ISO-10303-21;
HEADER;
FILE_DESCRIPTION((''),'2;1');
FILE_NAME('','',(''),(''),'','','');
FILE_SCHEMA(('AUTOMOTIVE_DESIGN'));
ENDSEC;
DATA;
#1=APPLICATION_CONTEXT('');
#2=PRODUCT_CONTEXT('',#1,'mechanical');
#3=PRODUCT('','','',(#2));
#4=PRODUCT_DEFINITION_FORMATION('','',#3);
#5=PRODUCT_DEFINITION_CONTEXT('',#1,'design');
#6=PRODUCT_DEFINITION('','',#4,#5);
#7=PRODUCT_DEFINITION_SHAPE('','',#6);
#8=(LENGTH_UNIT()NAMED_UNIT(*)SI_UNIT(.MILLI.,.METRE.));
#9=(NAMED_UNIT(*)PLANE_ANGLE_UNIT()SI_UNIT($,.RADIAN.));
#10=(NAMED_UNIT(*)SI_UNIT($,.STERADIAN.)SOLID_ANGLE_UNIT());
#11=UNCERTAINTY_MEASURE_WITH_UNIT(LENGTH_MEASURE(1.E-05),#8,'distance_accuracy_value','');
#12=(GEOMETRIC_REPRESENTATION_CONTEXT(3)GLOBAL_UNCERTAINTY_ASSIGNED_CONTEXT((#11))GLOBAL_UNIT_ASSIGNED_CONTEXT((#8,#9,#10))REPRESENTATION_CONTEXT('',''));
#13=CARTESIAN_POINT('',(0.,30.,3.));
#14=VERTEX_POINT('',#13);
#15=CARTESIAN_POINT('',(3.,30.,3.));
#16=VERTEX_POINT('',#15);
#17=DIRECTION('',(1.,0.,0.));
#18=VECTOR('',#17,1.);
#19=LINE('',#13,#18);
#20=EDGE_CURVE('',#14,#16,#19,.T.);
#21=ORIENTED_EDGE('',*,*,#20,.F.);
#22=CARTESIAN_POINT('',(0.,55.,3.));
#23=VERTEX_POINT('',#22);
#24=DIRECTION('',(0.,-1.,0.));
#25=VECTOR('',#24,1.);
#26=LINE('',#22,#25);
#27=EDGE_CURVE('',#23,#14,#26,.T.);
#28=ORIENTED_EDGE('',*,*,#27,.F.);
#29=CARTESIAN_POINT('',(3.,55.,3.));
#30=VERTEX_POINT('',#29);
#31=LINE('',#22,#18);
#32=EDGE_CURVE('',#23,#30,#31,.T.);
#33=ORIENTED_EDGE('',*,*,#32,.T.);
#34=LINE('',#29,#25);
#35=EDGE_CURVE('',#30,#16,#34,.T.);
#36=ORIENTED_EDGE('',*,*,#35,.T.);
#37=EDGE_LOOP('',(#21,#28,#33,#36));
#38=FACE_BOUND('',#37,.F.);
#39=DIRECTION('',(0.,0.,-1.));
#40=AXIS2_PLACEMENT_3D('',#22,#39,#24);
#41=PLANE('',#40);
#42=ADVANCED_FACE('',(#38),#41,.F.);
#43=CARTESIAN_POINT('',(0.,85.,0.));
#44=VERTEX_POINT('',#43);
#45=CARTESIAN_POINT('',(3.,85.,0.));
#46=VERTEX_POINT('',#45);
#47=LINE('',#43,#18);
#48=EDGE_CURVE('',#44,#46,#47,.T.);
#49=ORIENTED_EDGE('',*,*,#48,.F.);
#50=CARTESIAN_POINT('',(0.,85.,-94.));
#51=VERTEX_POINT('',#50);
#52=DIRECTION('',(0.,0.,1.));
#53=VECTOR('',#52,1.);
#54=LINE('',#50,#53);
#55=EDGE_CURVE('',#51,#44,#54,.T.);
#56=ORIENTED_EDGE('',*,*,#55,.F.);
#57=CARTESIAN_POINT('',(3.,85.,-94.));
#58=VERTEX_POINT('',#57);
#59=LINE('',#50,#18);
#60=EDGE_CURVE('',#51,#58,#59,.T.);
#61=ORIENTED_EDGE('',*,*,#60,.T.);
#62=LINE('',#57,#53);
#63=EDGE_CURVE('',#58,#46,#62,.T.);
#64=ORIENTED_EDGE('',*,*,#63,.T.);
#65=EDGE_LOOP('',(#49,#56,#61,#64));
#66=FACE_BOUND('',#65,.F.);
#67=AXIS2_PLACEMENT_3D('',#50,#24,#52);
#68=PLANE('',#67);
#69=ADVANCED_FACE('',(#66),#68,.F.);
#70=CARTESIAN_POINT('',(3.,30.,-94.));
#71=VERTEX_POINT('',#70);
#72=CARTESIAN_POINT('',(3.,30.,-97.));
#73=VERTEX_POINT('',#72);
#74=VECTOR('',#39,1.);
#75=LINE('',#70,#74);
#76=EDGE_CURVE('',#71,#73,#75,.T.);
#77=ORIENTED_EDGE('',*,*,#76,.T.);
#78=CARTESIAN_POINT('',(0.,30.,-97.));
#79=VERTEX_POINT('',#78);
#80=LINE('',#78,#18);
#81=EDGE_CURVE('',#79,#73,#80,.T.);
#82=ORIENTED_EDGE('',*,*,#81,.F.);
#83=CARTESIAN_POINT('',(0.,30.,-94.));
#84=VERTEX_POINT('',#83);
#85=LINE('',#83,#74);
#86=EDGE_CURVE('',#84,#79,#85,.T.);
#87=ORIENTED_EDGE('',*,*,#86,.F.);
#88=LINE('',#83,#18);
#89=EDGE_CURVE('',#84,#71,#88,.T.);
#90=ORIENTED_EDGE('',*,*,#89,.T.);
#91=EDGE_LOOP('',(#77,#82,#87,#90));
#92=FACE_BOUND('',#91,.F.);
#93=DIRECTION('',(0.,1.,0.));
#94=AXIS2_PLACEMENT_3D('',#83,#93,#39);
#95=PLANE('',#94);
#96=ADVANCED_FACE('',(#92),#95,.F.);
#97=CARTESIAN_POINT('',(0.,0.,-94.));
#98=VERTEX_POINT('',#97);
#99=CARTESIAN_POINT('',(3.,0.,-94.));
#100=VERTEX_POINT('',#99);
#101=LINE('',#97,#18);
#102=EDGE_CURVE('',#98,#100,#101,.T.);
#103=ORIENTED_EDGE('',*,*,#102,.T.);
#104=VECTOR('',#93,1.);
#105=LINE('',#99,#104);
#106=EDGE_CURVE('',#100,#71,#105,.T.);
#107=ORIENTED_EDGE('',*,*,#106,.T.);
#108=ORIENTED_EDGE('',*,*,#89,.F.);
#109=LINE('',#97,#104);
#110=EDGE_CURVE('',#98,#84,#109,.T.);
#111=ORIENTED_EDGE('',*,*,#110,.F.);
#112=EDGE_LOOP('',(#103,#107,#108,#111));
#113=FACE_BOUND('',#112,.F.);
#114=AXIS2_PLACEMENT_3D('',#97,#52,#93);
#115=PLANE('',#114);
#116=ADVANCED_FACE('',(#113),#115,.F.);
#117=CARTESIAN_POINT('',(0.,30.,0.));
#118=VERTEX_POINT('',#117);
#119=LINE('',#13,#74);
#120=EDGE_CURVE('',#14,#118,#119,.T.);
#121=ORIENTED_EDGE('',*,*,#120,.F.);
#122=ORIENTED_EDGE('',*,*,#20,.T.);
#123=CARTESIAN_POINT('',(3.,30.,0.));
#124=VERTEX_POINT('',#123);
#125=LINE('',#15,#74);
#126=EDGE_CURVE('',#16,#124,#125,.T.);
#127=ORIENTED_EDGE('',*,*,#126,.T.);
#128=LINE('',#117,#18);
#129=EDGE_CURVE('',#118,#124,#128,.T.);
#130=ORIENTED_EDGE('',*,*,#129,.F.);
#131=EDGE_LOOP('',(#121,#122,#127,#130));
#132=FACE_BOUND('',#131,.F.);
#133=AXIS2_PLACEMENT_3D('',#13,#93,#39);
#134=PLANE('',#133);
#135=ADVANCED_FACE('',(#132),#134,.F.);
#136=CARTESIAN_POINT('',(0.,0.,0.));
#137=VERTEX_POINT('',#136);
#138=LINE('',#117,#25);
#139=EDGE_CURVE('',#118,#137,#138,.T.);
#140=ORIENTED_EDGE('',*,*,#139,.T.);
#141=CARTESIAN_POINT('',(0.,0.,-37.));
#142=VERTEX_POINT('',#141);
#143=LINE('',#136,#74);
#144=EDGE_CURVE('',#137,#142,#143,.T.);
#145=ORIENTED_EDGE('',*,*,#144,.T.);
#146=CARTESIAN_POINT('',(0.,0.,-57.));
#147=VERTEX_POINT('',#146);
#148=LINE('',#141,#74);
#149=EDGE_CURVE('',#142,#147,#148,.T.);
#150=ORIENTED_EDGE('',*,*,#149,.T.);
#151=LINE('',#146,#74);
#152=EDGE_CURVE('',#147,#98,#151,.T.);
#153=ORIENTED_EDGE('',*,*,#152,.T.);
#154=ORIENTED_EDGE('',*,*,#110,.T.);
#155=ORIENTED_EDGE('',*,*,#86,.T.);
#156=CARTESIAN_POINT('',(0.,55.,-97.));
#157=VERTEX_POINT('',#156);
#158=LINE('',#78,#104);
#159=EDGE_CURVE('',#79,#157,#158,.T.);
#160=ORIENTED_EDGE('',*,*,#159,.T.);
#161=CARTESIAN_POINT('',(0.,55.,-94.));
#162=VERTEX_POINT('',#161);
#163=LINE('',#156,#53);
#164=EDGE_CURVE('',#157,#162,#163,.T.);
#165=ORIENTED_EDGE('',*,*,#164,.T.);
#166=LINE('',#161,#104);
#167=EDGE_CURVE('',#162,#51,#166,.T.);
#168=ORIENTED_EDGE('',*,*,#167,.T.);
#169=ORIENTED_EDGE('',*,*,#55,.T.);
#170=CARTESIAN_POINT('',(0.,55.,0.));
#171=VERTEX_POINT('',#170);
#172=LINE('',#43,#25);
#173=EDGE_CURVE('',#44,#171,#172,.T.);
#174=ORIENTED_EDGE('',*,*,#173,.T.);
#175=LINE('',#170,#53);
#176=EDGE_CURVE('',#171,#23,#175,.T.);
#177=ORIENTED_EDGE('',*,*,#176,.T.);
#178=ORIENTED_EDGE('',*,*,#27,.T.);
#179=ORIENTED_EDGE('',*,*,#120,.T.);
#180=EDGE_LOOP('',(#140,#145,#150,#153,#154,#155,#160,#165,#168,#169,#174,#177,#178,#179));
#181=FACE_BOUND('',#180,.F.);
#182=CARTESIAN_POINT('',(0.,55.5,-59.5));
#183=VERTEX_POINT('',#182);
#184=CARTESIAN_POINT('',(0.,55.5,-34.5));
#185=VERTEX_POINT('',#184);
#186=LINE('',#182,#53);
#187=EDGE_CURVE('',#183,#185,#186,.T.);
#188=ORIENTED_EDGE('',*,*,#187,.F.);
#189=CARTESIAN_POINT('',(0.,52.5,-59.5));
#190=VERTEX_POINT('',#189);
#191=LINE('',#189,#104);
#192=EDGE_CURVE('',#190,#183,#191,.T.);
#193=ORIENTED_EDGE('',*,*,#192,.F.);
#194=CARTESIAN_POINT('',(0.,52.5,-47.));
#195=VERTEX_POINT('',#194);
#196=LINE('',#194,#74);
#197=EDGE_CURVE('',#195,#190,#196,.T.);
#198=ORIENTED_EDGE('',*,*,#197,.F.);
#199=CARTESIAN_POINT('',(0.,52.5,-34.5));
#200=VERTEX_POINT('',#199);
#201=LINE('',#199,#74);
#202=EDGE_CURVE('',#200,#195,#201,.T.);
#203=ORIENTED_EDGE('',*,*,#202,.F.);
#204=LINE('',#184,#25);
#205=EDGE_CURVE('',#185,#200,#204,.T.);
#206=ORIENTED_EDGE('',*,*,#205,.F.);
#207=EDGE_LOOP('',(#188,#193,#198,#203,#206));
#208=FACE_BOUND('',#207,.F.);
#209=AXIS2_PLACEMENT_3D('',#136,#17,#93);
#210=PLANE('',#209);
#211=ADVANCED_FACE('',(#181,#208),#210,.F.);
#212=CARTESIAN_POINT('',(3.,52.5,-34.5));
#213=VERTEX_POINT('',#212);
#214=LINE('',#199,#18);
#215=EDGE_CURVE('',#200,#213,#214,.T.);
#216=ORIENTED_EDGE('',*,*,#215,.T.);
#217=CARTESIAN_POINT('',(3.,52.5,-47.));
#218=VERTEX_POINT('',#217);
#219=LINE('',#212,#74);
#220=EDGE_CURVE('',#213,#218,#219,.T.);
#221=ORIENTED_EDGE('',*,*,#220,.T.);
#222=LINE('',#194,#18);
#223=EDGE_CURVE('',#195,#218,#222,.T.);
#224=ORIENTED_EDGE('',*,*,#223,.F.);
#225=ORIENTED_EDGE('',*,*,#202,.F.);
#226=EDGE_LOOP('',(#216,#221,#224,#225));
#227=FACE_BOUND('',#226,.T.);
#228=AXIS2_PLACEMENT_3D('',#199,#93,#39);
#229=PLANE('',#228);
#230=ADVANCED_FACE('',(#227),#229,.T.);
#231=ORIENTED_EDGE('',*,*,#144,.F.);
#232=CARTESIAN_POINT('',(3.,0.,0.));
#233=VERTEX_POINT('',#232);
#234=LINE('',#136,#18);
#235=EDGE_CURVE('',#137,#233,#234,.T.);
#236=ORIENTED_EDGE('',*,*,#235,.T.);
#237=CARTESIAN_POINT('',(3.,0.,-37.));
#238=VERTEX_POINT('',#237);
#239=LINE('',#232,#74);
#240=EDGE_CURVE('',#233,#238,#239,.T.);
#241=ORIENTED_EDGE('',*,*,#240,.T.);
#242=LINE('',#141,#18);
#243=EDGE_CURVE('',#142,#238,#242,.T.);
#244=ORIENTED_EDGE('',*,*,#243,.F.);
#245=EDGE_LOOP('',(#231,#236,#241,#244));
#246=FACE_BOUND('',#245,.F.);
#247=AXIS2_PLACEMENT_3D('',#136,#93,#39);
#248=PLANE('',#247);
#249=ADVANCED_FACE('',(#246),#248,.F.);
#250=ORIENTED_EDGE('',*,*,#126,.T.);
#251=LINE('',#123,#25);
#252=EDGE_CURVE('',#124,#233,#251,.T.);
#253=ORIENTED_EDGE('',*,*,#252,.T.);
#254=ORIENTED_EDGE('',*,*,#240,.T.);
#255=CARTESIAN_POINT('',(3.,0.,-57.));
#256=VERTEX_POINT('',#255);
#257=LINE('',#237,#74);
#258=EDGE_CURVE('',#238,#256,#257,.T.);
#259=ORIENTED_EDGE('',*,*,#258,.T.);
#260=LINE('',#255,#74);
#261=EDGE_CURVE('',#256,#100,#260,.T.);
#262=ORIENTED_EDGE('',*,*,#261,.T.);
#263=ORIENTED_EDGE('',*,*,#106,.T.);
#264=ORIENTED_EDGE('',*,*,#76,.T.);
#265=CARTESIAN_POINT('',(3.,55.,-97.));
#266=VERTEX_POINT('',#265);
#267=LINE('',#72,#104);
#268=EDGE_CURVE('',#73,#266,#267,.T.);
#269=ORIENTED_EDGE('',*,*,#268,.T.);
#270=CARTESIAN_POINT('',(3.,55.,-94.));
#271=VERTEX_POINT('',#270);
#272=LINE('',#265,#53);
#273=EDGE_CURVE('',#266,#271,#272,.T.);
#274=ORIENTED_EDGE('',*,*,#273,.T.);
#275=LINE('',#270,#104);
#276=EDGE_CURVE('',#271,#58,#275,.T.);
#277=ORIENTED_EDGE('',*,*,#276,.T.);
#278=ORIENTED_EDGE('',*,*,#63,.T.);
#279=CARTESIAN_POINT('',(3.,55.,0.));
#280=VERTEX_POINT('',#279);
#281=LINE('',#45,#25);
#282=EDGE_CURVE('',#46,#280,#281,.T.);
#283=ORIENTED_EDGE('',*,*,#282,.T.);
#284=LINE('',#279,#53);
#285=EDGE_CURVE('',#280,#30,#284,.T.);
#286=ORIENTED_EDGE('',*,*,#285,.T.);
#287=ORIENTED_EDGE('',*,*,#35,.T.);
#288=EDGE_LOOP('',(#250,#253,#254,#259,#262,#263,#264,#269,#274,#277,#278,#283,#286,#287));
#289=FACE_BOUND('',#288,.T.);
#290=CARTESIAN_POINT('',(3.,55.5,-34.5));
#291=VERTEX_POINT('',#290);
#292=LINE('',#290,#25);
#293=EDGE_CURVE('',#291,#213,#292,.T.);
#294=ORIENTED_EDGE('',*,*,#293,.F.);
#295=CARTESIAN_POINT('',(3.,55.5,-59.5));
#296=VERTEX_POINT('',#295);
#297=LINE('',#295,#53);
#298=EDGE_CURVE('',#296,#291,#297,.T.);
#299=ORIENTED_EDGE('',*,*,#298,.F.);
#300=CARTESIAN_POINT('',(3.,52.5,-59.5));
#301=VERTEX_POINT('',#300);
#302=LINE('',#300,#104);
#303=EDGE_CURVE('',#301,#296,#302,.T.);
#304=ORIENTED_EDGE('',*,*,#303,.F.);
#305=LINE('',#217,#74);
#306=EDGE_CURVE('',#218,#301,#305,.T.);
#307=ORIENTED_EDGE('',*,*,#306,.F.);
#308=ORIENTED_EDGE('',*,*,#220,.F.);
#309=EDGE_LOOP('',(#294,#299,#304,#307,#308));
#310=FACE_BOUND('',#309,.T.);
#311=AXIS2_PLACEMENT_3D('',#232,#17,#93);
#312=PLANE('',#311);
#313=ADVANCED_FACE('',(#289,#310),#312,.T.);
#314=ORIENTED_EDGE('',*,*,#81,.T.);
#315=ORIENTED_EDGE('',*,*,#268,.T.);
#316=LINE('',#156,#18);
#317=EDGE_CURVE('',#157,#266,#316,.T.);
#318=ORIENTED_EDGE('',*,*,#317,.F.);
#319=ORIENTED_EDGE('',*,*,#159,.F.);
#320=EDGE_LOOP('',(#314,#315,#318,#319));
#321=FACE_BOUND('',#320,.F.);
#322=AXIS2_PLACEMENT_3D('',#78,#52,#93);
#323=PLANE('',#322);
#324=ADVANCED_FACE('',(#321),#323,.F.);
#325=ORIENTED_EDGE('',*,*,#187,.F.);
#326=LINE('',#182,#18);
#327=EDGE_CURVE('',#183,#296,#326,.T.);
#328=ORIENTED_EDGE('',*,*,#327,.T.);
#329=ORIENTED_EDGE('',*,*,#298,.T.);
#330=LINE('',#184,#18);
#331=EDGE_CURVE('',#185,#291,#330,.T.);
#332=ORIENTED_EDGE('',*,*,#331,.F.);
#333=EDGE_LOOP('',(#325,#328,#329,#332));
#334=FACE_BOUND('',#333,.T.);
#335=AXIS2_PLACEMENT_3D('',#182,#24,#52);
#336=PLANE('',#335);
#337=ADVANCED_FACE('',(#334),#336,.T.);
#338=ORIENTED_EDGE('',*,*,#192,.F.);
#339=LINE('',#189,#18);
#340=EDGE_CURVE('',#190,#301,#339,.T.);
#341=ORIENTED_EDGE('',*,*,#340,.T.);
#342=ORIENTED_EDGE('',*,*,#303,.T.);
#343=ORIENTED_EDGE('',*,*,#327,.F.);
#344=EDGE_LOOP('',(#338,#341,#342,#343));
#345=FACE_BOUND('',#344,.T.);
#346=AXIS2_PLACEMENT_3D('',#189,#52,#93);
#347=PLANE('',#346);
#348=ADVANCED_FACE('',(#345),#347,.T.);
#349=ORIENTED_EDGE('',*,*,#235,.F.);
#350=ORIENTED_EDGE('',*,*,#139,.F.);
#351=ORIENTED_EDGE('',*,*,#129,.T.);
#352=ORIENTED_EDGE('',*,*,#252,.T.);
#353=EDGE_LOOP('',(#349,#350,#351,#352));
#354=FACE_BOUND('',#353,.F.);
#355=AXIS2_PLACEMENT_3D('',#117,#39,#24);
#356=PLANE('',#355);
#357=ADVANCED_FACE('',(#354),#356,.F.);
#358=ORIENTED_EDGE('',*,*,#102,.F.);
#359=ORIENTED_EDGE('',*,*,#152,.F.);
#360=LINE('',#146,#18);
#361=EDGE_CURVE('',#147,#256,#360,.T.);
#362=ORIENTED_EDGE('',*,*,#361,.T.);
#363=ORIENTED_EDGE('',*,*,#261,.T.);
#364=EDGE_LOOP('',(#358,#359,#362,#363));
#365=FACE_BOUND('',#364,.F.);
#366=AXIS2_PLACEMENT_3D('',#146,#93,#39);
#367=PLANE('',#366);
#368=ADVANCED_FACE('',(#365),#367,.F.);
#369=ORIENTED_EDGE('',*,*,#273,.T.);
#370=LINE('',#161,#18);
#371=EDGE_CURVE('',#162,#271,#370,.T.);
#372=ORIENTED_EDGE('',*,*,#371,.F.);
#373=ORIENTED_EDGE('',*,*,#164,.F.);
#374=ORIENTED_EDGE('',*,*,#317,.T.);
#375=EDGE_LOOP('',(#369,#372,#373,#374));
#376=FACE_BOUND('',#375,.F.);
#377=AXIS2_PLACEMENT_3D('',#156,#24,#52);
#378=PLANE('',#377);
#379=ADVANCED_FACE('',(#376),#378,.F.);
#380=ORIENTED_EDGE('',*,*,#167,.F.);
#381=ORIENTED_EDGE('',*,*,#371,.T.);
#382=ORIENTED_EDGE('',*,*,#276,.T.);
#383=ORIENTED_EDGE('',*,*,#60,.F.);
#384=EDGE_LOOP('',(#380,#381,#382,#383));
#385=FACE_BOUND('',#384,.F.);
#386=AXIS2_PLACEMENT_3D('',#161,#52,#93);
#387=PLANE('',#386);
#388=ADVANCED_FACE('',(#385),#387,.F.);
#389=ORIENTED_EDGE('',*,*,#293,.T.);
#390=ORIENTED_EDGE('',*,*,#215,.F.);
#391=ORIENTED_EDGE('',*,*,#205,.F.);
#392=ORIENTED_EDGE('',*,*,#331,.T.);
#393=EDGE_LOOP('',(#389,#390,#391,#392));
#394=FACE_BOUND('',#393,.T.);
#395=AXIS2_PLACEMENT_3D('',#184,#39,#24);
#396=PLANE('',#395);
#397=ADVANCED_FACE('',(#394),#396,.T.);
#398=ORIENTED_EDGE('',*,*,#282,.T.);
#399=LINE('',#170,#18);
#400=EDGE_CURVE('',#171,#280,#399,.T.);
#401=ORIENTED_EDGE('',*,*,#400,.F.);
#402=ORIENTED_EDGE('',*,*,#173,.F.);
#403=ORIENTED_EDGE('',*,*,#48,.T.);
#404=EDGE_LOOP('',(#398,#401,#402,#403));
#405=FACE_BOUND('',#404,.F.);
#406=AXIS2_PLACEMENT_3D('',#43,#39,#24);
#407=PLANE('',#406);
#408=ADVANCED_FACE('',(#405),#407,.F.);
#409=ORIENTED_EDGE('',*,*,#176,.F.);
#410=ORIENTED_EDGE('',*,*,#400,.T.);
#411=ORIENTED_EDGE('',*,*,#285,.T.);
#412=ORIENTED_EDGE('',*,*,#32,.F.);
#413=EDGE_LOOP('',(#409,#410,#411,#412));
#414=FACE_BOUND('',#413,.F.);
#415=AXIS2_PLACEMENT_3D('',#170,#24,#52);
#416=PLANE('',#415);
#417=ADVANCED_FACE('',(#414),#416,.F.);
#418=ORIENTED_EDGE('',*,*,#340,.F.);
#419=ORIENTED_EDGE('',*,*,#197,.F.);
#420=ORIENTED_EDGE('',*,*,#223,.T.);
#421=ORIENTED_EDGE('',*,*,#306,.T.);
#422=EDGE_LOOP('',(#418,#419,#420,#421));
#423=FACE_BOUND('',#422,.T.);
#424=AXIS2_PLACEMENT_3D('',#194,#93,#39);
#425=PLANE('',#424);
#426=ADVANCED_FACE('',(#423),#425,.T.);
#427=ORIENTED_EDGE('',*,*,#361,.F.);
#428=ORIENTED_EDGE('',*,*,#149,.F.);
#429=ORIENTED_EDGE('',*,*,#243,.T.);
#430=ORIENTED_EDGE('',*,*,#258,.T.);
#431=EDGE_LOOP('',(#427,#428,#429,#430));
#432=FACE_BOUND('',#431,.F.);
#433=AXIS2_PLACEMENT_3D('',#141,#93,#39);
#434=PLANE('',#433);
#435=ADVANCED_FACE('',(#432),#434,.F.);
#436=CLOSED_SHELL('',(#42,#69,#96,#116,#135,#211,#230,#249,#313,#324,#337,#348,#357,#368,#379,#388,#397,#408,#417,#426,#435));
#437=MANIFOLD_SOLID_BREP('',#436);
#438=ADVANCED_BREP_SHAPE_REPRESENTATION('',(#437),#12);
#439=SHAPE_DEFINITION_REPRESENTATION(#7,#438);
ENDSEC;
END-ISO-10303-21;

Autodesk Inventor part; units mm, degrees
ref_plane "YZ Plane" through (0, 0, 0) normal (1, 0, 0) x (0, 1, 0)
ref_plane "XZ Plane" through (0, 0, 0) normal (0, 1, 0) x (-1, 0, 0)
ref_plane "XY Plane" through (0, 0, 0) normal (0, 0, 1) x (1, 0, 0)
sketch "Sketch1" plane through (0, 0, 0) normal (1, 0, 0) x (0, 1, 0)
  line L0 (0, -94) -> (30, -94)
  line L1 (30, -94) -> (30, -97)
  line L2 (30, -97) -> (55, -97)
  line L3 (55, -97) -> (55, -94)
  line L4 (55, -94) -> (85, -94)
  line L5 (85, -94) -> (85, 0)
  line L6 (85, 0) -> (55, 0)
  line L7 (55, 0) -> (55, 3)
  line L8 (55, 3) -> (30, 3)
  line L9 (30, 3) -> (30, 0)
  line L10 (30, 0) -> (0, 0)
  line L11 (0, 0) -> (0, -37)
  line L12 (0, -57) -> (0, -94)
  line L13 (0, -47) -> (52.5, -47) construction
  line L14 (52.5, -47) -> (80, -47) construction
  line L15 (0, -47) -> (52.5, -47) construction
  line L16 (52.5, -47) -> (55.5, -47) construction
  line L17 (52.5, -47) -> (52.5, -59.5)
  line L18 (52.5, -59.5) -> (55.5, -59.5)
  line L19 (55.5, -59.5) -> (55.5, -34.5)
  line L20 (55.5, -34.5) -> (52.5, -34.5)
  line L21 (52.5, -34.5) -> (52.5, -47)
  line L22 (0, -37) -> (0, -57)
  point P0 (42.5, 3)
  dimension "d0" = 94
  dimension "d1" = 30
  dimension "d2" = 3
  dimension "d3" = 25
  dimension "d5" = 30
  dimension "d6" = 94
  dimension "d7" = 30
  dimension "d8" = 3
  dimension "d9" = 25
  dimension "d10" = 3
  dimension "d11" = 30
  dimension "d23" = 27.5
  dimension "d26" = 3
  dimension "d27" = 12.5
  dimension "d28" = 3
  dimension "d29" = 25
  dimension "d30" = 3
  dimension "d31" = 12.5
  dimension "d34" = 52.5
  dimension "d36" = 50
extrude "Extrusion2" add sketch "Sketch1" along normal blind 3
properties part number "Depan"
